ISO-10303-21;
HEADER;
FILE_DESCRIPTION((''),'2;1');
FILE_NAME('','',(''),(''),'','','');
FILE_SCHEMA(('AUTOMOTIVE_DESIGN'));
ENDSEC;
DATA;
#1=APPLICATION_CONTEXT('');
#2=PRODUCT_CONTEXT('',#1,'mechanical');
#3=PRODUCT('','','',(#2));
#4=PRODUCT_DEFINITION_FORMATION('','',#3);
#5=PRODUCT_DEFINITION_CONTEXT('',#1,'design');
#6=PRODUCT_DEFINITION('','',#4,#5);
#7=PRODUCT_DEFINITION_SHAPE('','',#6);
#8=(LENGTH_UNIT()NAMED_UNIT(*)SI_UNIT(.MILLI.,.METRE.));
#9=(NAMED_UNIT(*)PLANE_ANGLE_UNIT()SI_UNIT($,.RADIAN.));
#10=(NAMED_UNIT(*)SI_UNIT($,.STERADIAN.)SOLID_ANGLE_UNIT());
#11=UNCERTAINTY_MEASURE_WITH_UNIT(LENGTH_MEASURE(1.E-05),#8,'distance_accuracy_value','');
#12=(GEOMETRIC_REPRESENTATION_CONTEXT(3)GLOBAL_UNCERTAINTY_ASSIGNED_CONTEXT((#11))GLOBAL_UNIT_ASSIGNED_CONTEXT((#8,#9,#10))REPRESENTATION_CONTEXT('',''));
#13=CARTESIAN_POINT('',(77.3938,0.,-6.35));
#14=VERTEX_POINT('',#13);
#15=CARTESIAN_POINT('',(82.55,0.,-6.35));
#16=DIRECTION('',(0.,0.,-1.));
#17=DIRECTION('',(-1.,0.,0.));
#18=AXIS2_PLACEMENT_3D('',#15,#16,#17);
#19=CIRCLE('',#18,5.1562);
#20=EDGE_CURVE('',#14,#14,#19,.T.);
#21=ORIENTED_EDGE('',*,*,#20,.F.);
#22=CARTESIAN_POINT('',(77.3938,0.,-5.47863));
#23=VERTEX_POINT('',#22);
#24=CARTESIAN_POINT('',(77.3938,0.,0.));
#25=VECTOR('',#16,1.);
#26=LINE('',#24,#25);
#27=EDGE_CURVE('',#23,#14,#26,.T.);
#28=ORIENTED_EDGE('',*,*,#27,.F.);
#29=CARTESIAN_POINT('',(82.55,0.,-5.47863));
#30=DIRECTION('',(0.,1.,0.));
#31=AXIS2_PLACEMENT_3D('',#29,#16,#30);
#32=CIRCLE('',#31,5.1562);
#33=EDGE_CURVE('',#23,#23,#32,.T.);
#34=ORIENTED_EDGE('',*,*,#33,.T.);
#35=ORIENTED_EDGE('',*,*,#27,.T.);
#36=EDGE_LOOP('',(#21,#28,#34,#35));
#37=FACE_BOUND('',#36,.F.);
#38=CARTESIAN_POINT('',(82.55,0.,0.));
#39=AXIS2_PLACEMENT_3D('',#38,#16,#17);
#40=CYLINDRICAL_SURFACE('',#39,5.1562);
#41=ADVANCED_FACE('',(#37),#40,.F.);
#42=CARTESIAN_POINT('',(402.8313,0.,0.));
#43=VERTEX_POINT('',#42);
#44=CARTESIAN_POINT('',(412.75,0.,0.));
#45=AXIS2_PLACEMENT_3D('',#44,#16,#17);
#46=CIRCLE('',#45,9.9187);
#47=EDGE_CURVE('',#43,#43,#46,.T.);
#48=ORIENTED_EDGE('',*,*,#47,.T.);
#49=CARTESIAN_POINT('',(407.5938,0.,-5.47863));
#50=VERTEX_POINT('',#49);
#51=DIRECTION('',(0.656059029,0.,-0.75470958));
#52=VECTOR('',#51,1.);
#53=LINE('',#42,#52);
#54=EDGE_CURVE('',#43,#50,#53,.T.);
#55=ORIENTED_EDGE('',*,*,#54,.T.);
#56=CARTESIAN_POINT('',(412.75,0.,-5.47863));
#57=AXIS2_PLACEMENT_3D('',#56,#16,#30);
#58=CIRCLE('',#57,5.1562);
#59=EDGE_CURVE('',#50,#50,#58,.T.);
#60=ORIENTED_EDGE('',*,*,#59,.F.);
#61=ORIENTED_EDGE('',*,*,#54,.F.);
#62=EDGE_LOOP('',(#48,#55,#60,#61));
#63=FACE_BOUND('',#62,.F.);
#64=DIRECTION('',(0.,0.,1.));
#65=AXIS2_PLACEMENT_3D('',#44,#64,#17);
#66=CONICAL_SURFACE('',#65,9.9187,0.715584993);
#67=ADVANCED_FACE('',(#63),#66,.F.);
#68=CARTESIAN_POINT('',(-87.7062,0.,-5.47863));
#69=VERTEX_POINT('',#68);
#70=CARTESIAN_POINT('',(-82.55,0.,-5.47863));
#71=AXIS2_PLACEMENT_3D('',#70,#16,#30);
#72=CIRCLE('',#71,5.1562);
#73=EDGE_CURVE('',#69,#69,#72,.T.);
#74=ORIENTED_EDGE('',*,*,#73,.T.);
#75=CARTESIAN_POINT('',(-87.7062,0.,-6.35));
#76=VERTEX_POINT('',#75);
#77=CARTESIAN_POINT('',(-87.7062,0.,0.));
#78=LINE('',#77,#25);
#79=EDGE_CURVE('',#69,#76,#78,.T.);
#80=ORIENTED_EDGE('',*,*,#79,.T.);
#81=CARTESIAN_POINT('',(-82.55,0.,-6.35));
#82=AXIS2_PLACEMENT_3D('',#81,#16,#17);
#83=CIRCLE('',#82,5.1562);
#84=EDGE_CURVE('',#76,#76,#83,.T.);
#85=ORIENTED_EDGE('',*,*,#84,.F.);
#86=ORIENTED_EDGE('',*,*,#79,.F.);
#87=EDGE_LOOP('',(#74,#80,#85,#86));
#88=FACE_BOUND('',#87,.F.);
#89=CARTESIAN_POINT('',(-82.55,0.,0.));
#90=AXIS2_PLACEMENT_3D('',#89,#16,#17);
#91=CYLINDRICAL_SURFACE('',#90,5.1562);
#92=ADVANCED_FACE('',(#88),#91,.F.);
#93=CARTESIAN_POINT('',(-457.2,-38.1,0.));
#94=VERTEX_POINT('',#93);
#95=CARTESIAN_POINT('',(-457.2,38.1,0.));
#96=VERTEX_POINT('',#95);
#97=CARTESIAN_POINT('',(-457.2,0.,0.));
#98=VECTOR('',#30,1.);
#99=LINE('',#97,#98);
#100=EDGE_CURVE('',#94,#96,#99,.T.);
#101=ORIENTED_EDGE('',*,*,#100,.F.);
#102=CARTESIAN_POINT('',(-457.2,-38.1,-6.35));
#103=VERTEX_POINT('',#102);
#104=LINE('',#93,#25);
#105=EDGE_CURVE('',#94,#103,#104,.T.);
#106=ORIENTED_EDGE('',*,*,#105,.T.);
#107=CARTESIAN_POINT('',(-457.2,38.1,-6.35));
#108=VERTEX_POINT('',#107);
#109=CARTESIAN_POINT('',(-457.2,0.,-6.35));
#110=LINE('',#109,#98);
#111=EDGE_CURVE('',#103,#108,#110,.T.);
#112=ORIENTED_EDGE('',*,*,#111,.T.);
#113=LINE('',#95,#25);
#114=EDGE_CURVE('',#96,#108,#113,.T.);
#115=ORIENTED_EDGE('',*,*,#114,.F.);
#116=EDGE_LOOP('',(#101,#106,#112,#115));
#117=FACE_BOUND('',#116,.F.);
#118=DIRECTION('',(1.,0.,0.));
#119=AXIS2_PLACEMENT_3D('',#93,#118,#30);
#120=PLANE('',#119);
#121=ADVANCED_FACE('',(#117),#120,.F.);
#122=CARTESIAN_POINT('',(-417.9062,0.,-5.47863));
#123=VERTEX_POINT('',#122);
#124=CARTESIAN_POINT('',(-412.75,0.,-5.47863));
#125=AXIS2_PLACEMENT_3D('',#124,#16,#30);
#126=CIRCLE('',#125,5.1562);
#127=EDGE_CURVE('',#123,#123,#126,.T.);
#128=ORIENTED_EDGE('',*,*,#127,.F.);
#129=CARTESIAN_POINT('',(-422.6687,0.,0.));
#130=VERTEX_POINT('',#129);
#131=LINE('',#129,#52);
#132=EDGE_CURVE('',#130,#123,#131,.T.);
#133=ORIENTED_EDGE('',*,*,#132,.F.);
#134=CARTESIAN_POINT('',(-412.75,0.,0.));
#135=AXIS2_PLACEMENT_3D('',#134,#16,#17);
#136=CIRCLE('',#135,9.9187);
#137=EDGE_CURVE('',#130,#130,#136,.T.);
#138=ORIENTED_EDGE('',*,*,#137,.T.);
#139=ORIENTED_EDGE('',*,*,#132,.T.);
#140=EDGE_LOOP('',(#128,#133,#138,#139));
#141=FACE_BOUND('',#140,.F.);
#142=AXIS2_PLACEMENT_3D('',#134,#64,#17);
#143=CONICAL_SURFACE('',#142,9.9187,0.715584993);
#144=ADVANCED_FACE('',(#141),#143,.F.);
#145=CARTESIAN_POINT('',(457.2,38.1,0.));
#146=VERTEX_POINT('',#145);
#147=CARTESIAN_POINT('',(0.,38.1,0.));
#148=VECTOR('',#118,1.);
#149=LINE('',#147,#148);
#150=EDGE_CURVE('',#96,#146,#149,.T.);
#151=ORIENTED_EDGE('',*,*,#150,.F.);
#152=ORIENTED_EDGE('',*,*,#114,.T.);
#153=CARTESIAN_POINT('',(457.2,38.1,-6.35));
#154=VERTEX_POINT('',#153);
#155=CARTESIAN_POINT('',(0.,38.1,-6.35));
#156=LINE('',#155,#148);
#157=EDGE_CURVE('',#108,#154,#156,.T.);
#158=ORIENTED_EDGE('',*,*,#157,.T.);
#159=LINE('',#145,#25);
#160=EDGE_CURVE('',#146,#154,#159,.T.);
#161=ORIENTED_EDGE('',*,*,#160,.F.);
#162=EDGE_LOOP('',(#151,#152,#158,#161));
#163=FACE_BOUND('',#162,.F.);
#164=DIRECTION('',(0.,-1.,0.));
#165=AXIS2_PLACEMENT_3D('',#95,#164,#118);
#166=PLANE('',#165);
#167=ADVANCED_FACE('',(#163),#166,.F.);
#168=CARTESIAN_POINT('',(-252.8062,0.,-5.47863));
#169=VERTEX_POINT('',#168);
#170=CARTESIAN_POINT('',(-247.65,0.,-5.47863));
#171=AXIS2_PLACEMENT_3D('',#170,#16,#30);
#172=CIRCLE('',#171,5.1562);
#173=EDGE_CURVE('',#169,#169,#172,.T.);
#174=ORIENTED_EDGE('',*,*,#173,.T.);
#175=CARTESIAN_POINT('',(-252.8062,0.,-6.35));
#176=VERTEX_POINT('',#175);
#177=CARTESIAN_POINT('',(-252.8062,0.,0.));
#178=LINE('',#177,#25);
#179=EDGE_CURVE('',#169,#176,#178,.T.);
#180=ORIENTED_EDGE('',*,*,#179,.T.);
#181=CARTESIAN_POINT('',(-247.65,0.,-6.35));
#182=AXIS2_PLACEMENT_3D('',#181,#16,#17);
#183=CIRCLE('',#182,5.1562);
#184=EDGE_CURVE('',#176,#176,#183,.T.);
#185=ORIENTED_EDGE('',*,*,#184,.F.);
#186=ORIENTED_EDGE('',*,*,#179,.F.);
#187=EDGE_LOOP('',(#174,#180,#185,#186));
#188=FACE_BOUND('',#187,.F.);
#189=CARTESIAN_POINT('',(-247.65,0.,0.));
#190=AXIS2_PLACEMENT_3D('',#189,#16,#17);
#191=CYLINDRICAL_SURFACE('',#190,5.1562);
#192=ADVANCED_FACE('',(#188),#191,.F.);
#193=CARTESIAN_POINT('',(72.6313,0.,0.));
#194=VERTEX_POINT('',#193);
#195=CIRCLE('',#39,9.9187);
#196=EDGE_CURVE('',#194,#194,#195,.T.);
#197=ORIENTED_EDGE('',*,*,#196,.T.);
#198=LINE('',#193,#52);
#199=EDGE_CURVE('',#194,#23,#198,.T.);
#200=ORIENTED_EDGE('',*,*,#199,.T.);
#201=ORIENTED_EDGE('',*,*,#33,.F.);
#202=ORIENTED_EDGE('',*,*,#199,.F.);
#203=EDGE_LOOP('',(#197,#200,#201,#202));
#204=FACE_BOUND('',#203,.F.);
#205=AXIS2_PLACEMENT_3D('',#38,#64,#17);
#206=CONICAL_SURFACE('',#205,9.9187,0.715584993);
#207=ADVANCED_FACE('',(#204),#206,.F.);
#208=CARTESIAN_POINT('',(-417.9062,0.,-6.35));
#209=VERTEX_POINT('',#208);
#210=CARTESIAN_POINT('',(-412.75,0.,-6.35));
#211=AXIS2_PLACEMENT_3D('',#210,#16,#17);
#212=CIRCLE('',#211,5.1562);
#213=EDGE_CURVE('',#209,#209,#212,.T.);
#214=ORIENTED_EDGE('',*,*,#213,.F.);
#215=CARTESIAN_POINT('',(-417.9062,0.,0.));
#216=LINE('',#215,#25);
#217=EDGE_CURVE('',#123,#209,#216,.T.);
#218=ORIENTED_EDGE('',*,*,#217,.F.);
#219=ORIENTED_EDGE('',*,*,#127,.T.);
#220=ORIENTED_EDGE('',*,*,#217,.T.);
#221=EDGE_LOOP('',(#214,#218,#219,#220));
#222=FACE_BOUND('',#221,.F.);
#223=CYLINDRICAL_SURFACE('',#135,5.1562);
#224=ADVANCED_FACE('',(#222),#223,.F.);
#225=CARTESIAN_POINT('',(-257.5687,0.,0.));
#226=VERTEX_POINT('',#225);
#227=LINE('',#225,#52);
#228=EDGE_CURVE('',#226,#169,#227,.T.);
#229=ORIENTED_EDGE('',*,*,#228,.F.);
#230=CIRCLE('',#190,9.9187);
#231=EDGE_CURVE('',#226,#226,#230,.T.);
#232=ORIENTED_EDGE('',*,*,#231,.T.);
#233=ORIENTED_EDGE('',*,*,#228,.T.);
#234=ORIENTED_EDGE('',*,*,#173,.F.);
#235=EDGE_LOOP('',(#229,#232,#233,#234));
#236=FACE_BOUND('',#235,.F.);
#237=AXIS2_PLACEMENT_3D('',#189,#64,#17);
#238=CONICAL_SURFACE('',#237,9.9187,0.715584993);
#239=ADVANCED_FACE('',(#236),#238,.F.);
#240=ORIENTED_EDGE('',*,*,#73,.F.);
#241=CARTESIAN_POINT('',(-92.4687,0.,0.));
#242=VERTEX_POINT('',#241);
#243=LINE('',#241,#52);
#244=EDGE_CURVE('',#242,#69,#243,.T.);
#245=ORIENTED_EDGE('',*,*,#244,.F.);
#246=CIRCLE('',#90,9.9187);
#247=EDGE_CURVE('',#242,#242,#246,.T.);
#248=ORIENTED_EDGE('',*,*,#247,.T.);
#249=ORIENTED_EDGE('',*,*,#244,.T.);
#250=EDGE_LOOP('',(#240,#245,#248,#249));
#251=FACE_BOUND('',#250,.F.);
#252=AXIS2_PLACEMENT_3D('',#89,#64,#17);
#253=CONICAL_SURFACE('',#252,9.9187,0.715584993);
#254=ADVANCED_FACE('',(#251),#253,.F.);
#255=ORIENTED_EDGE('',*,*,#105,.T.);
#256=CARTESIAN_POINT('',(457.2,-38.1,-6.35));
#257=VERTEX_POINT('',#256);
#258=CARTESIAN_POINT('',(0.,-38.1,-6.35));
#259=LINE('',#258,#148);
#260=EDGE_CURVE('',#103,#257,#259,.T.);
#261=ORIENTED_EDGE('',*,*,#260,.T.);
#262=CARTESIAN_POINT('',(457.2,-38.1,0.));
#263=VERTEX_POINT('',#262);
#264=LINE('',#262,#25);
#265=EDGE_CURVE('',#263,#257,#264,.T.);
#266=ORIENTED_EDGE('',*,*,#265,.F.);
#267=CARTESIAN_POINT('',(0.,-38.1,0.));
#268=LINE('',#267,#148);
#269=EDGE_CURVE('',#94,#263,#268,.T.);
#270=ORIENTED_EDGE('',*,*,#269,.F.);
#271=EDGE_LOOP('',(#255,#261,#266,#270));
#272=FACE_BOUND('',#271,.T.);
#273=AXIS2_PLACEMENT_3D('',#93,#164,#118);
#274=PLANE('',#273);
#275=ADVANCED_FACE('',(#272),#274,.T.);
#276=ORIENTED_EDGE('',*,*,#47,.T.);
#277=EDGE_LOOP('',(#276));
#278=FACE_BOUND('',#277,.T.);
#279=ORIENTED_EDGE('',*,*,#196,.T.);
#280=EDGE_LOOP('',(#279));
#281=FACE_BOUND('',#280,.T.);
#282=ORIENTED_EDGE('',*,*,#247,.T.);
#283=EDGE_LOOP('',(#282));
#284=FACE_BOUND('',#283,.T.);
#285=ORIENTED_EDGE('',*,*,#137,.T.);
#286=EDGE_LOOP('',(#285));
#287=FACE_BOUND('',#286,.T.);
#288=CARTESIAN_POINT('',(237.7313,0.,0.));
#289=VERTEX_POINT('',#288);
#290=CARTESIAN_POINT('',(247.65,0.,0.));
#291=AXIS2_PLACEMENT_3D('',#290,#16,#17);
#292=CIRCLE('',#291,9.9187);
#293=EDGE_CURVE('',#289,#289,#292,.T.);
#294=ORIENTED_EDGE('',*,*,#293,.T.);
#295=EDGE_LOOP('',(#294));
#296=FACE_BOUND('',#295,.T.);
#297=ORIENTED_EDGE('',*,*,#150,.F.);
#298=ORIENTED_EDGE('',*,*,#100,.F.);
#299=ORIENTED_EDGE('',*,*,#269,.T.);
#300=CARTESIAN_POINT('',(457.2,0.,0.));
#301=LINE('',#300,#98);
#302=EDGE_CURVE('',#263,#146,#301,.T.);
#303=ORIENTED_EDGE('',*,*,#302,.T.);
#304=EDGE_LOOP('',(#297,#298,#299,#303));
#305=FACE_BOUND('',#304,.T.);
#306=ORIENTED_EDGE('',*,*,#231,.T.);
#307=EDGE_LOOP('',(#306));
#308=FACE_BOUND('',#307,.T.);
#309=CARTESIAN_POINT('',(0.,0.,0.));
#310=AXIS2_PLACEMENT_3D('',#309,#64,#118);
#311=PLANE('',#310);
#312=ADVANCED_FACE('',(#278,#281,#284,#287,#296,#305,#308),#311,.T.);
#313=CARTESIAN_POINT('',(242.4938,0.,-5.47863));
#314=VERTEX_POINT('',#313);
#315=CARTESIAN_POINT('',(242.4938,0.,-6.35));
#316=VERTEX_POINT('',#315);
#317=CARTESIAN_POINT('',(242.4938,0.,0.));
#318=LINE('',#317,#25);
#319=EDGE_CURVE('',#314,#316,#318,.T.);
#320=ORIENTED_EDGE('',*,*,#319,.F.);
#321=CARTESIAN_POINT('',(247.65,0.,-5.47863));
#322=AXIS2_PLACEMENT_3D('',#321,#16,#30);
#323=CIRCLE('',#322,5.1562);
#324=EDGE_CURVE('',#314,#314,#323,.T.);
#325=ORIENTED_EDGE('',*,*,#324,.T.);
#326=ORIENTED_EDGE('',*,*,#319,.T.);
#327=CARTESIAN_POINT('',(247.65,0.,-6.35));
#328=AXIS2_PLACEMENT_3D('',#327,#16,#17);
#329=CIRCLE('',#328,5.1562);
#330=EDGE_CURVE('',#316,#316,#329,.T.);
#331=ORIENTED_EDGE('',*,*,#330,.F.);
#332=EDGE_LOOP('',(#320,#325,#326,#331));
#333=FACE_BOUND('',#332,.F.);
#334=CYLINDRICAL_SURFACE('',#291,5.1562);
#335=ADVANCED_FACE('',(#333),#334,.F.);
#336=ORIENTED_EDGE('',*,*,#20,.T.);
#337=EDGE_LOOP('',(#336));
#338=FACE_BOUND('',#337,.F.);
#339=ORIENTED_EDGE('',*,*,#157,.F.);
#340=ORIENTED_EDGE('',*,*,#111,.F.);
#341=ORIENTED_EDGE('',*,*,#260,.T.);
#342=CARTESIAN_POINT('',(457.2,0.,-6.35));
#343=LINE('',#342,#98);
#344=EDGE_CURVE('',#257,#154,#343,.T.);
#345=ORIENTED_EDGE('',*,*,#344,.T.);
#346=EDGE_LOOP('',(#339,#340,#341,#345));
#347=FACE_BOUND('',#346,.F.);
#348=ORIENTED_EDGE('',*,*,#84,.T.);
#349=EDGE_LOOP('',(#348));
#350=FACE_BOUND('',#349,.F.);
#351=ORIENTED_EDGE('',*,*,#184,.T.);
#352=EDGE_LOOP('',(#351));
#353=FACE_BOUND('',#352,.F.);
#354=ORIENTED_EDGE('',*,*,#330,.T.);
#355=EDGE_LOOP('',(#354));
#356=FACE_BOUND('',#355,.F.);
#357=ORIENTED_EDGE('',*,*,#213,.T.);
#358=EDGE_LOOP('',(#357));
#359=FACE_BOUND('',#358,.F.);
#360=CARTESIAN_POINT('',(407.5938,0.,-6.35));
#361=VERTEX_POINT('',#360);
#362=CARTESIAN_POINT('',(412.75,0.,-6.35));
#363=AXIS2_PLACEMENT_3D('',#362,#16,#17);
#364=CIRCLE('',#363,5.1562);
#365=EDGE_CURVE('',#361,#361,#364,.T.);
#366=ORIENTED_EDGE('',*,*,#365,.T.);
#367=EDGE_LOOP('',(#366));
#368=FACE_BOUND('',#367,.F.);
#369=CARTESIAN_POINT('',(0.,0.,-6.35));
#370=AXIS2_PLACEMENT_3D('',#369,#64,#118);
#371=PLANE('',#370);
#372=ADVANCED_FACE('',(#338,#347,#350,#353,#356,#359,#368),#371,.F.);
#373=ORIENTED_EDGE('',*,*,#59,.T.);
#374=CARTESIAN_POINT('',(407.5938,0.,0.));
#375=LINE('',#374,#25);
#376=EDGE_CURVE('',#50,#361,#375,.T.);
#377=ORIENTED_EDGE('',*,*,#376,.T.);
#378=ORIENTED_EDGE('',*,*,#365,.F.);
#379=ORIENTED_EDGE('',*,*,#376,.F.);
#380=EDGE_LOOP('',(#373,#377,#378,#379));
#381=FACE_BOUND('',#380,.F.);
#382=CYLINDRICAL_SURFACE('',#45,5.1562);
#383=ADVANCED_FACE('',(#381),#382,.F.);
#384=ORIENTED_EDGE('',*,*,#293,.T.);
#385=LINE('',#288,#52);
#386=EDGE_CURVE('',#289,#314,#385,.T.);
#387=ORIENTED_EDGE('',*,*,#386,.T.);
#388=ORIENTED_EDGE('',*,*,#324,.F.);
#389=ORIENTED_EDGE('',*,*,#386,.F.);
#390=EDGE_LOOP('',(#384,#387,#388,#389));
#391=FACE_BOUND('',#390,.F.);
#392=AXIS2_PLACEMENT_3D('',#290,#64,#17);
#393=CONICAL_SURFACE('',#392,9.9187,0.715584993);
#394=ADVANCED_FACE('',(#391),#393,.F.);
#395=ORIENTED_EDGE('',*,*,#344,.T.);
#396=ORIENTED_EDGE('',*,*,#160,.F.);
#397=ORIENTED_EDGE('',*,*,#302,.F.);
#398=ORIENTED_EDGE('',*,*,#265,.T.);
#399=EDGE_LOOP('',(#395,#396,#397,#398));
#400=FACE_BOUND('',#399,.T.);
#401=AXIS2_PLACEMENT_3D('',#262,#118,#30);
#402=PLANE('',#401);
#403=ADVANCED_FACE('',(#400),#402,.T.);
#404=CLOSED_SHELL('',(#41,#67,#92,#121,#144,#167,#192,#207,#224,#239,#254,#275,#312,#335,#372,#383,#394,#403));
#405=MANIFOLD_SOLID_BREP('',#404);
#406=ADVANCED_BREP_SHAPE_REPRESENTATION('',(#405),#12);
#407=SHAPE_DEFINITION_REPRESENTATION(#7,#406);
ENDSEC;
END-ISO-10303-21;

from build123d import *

# Parameters (mm, degrees)
F0_W           = 914.4
F0_H           = 76.2
F0_R           = 4.7625
F1_DEPTH       = 6.35
F2_D           = 10.3124
F2_CSINK_D     = 19.8374
F2_CSINK_ANGLE = 82


with BuildPart() as f1:
    # F0 (on Top) → F1 (new body)
    with BuildSketch(Plane.XY):
        Rectangle(F0_W, F0_H)
        with Locations((-412.75, 0)):
            Circle(F0_R, mode=Mode.SUBTRACT)
        with Locations((-247.65, 0)):
            Circle(F0_R, mode=Mode.SUBTRACT)
        with Locations((-82.55, 0)):
            Circle(F0_R, mode=Mode.SUBTRACT)
        with Locations((82.55, 0)):
            Circle(F0_R, mode=Mode.SUBTRACT)
        with Locations((247.65, 0)):
            Circle(F0_R, mode=Mode.SUBTRACT)
        with Locations((412.75, 0)):
            Circle(F0_R, mode=Mode.SUBTRACT)
        with Locations((-82.55, 0)):
            Circle(F0_R)
        with Locations((82.55, 0)):
            Circle(F0_R)
        with Locations((247.65, 0)):
            Circle(F0_R)
        with Locations((412.75, 0)):
            Circle(F0_R)
        with Locations((-412.75, 0)):
            Circle(F0_R)
        with Locations((-247.65, 0)):
            Circle(F0_R)
    extrude(amount=-F1_DEPTH)

    # F2 (through all)
    with Locations(Plane.XY):
        with Locations((-412.75, 0), (-247.65, 0), (-82.55, 0), (82.55, 0), (247.65, 0), (412.75, 0)):
            CounterSinkHole(F2_D / 2, F2_CSINK_D / 2, counter_sink_angle=F2_CSINK_ANGLE)


solid = f1.part
